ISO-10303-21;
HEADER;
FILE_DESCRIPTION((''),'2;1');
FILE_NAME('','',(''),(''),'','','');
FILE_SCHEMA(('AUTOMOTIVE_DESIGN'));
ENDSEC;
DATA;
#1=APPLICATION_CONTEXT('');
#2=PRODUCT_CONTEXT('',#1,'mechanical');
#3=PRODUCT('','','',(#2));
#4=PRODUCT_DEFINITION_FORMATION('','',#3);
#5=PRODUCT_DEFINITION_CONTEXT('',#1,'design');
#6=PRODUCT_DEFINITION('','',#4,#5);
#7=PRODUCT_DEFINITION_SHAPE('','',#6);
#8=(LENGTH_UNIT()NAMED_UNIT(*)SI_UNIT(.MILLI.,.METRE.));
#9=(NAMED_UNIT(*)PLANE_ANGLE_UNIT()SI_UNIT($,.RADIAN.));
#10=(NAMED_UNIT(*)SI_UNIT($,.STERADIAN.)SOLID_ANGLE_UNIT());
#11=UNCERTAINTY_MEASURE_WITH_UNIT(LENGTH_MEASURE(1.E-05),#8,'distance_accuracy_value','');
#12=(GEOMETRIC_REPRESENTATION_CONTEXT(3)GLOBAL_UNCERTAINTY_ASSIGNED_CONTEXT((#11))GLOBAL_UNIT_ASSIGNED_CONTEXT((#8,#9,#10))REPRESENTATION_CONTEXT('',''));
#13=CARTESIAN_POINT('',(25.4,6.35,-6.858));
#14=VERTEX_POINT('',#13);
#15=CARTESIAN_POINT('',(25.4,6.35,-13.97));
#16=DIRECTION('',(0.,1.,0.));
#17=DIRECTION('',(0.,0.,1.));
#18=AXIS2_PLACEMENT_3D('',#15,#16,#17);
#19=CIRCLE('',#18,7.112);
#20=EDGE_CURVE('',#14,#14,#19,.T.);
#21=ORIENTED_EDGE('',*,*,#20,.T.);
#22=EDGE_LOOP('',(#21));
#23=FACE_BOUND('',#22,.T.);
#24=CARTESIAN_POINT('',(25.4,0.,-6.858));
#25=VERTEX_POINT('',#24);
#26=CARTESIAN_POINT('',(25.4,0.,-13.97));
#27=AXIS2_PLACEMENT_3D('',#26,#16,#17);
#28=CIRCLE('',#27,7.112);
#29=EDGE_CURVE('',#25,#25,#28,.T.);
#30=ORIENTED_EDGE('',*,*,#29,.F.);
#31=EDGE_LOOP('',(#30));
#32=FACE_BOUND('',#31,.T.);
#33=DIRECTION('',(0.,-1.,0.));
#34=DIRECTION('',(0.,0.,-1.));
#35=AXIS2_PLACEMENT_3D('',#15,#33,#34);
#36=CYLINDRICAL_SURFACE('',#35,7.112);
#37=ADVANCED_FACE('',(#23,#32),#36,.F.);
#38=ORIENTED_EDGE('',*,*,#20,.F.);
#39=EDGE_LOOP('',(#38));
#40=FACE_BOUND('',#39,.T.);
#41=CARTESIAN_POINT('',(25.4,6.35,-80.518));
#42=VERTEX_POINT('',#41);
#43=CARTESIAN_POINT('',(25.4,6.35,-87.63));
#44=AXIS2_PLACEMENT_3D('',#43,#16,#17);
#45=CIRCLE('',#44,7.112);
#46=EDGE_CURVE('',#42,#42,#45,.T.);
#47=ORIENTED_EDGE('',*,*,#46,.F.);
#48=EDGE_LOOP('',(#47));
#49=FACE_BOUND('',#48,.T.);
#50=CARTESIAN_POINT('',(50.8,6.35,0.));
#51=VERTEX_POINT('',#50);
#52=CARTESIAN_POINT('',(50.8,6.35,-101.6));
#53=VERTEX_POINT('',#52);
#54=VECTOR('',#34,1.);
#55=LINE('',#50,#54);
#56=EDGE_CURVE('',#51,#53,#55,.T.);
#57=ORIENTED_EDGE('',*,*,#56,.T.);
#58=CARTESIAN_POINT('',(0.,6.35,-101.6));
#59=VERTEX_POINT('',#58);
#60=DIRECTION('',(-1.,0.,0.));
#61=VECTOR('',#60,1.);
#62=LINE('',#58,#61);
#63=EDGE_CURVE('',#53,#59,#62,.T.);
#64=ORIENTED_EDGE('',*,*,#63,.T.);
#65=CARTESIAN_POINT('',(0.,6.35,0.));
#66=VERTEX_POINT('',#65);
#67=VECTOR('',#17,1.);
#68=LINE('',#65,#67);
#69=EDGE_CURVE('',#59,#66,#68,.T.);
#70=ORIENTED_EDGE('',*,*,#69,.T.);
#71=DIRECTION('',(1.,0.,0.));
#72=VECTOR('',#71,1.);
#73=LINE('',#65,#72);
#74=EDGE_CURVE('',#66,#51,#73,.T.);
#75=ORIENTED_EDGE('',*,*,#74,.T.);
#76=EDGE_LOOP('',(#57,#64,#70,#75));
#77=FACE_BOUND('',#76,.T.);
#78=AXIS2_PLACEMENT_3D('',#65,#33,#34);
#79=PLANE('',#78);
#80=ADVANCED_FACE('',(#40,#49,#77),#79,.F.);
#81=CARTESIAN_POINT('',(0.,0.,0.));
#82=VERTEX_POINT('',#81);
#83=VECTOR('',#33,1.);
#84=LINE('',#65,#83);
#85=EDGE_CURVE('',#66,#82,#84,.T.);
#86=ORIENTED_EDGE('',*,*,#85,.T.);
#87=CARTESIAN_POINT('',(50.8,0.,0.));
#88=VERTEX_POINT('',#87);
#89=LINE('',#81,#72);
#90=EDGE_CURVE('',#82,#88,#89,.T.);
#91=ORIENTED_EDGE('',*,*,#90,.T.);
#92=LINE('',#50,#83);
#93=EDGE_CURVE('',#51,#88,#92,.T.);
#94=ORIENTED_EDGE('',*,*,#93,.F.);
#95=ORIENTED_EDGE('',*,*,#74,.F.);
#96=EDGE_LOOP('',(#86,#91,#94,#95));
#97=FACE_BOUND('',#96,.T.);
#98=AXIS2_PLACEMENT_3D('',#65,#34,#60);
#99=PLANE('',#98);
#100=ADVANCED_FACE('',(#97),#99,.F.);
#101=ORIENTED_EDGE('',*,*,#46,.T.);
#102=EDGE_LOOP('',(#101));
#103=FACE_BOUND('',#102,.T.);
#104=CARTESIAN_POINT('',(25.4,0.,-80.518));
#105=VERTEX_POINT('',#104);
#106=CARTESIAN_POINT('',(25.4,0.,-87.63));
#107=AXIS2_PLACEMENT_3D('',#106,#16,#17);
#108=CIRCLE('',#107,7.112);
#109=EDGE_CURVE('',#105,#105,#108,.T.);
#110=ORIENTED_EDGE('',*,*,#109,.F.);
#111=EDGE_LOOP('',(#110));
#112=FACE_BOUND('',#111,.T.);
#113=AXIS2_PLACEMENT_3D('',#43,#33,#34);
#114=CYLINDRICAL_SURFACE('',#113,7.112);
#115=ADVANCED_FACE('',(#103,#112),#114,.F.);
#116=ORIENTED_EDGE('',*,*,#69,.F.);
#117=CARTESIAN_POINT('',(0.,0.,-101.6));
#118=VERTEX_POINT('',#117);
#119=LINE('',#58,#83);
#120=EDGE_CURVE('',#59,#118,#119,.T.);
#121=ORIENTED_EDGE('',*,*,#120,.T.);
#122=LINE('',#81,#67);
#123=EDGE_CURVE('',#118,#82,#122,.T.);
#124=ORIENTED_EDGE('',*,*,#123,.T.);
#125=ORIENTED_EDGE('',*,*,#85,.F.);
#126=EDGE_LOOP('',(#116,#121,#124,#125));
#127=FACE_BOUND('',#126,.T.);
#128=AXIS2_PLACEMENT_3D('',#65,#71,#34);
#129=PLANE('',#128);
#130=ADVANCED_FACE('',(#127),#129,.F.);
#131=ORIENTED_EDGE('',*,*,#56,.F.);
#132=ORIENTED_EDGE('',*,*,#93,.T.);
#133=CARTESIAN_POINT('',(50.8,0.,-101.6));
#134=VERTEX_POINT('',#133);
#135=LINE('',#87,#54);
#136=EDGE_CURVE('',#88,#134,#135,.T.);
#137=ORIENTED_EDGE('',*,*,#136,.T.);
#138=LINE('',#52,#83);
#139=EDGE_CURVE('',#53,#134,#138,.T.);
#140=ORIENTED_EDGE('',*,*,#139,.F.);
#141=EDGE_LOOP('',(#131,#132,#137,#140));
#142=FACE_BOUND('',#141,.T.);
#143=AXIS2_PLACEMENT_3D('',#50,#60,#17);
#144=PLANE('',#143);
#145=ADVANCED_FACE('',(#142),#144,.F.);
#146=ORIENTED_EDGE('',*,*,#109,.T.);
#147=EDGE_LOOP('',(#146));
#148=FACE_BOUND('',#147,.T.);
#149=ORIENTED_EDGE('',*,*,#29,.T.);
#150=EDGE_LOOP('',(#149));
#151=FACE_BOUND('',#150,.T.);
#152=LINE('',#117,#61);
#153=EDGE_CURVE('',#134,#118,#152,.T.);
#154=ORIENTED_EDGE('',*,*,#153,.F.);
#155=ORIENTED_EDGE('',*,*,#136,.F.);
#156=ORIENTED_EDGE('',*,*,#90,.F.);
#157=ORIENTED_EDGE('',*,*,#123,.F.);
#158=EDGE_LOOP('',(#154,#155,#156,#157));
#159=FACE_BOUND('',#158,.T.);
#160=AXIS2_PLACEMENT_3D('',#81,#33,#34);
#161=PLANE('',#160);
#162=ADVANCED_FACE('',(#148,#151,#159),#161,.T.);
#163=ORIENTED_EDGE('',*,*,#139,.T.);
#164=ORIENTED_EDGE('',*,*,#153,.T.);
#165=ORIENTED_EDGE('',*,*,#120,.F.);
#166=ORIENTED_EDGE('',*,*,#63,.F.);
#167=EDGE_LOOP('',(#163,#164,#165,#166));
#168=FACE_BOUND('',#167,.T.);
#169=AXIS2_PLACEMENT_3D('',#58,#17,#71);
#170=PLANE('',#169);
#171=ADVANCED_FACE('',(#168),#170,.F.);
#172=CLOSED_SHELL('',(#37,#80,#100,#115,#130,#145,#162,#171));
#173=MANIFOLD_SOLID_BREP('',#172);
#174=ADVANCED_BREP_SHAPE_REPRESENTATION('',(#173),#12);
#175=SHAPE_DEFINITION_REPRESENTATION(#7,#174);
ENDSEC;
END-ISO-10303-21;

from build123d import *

# Parameters (mm, degrees)
SKETCH1_W    = 50.8
SKETCH1_H    = 101.6
SKETCH1_R    = 7.112
HAMMER_DEPTH = 6.35


with BuildPart() as part:
    # Sketch1 → Hammer (new body)
    with BuildSketch(Plane(origin=(0, 0, 0), x_dir=(1, 0, 0), z_dir=(0, 1, 0))):
        with Locations((25.4, 50.8)):
            Rectangle(SKETCH1_W, SKETCH1_H)
        with Locations((25.4, 13.97)):
            Circle(SKETCH1_R, mode=Mode.SUBTRACT)
        with Locations((25.4, 87.63)):
            Circle(SKETCH1_R, mode=Mode.SUBTRACT)
    extrude(amount=HAMMER_DEPTH)


solid = part.part
